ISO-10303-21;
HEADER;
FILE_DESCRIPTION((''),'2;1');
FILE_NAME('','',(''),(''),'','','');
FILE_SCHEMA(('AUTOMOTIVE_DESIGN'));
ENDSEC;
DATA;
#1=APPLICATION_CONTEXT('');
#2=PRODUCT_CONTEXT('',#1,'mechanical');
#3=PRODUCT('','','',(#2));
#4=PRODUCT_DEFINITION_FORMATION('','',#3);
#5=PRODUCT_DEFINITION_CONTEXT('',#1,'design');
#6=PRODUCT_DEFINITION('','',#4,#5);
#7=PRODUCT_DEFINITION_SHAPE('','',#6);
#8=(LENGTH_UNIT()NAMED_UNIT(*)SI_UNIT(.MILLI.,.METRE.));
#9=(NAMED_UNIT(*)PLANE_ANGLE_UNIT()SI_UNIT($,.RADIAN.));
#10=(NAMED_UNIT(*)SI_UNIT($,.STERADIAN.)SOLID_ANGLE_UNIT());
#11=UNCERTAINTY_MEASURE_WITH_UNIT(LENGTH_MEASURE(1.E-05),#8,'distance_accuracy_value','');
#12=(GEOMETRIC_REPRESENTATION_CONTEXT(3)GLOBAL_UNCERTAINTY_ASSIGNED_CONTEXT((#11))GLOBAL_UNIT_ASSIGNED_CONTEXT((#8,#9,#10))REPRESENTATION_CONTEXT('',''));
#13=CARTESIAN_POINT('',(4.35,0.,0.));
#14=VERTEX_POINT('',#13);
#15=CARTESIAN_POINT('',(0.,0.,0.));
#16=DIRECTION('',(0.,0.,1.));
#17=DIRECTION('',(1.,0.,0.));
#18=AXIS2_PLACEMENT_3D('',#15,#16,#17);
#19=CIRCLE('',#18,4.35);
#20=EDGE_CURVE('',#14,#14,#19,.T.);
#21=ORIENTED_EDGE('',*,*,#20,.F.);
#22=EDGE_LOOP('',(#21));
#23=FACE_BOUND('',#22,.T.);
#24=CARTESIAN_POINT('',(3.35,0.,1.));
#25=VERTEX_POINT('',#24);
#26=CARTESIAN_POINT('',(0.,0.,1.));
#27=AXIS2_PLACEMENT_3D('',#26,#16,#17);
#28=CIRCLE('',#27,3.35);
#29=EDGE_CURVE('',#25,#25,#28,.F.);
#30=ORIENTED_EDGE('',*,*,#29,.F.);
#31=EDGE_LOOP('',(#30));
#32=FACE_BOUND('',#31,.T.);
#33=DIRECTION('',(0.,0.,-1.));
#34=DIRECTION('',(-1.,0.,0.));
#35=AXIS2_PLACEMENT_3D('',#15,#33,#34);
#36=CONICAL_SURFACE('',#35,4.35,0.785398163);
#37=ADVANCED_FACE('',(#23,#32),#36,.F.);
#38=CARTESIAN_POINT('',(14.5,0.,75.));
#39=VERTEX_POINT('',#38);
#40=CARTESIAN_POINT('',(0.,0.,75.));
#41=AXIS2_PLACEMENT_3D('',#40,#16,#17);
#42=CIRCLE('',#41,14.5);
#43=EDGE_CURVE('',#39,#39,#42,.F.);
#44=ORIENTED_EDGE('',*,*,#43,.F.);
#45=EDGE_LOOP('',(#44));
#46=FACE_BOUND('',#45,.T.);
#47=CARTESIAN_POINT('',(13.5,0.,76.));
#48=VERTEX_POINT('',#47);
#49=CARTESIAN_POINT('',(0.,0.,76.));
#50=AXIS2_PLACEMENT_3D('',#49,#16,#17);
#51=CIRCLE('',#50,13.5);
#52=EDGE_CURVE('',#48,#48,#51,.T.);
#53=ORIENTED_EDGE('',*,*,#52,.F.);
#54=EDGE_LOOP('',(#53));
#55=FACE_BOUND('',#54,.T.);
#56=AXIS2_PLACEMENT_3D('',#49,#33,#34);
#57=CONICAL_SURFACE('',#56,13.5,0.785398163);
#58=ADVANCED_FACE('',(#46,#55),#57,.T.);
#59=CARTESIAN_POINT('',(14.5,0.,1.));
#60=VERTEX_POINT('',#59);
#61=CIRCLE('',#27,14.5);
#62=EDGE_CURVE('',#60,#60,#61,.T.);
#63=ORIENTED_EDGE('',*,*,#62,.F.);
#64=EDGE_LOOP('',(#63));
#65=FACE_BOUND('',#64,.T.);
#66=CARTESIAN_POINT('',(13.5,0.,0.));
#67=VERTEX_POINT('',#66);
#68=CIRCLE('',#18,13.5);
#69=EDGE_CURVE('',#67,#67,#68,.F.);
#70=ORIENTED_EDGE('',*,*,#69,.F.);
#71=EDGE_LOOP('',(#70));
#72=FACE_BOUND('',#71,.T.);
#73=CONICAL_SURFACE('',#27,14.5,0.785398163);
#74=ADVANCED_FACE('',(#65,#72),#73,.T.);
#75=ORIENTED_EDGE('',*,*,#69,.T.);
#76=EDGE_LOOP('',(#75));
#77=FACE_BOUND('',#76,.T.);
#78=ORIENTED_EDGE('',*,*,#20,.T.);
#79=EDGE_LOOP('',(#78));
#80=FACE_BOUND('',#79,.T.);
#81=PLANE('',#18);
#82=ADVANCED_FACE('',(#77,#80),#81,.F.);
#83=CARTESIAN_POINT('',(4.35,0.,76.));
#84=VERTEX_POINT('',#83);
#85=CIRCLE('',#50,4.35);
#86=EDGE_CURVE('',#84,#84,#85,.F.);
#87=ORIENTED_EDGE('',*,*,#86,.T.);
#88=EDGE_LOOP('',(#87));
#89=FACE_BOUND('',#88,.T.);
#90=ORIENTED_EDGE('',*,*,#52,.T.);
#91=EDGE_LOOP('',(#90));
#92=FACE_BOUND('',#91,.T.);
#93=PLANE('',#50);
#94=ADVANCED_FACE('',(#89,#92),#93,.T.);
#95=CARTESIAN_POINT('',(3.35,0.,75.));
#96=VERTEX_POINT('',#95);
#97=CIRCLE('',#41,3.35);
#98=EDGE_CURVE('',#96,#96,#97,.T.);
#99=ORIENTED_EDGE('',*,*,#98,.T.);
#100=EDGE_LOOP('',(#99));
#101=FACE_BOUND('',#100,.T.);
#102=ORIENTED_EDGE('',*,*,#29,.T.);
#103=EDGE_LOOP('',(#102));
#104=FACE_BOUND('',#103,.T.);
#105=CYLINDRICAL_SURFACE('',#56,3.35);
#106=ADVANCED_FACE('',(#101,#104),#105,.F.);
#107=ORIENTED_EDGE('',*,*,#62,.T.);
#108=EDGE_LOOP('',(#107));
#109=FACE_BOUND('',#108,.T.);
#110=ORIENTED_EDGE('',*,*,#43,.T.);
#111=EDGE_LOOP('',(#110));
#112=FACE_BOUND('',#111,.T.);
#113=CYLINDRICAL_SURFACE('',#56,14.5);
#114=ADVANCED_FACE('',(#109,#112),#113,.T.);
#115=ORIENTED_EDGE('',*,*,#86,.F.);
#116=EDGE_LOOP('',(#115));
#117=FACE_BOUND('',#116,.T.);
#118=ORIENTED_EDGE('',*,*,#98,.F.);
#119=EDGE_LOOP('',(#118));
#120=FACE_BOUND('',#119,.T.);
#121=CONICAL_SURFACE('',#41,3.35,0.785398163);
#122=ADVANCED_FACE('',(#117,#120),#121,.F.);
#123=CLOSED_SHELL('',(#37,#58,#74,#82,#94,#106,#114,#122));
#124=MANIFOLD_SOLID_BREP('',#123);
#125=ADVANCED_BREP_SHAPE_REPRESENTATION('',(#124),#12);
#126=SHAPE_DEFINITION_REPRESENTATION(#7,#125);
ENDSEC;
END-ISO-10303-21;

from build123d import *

# Parameters (mm, degrees)
ESQUISSE1_R        = 14.5
ESQUISSE1_R_2      = 3.35
BOSS_EXTRU_1_DEPTH = 76
CHANFREIN1_SIZE    = 1


with BuildPart() as part:
    # Esquisse1 → Boss.-Extru.1 (new body)
    with BuildSketch(Plane.XY):
        Circle(ESQUISSE1_R)
        Circle(ESQUISSE1_R_2, mode=Mode.SUBTRACT)
    extrude(amount=BOSS_EXTRU_1_DEPTH)

    # Chanfrein1
    chanfrein1_edges = [part.edges().sort_by_distance(p)[0] for p in [
        (-14.5, 0, 0),
        (-14.5, 0, 76),
        (-3.35, 0, 0),
        (-3.35, 0, 76),
    ]]
    chamfer(chanfrein1_edges, length=CHANFREIN1_SIZE)


solid = part.part
